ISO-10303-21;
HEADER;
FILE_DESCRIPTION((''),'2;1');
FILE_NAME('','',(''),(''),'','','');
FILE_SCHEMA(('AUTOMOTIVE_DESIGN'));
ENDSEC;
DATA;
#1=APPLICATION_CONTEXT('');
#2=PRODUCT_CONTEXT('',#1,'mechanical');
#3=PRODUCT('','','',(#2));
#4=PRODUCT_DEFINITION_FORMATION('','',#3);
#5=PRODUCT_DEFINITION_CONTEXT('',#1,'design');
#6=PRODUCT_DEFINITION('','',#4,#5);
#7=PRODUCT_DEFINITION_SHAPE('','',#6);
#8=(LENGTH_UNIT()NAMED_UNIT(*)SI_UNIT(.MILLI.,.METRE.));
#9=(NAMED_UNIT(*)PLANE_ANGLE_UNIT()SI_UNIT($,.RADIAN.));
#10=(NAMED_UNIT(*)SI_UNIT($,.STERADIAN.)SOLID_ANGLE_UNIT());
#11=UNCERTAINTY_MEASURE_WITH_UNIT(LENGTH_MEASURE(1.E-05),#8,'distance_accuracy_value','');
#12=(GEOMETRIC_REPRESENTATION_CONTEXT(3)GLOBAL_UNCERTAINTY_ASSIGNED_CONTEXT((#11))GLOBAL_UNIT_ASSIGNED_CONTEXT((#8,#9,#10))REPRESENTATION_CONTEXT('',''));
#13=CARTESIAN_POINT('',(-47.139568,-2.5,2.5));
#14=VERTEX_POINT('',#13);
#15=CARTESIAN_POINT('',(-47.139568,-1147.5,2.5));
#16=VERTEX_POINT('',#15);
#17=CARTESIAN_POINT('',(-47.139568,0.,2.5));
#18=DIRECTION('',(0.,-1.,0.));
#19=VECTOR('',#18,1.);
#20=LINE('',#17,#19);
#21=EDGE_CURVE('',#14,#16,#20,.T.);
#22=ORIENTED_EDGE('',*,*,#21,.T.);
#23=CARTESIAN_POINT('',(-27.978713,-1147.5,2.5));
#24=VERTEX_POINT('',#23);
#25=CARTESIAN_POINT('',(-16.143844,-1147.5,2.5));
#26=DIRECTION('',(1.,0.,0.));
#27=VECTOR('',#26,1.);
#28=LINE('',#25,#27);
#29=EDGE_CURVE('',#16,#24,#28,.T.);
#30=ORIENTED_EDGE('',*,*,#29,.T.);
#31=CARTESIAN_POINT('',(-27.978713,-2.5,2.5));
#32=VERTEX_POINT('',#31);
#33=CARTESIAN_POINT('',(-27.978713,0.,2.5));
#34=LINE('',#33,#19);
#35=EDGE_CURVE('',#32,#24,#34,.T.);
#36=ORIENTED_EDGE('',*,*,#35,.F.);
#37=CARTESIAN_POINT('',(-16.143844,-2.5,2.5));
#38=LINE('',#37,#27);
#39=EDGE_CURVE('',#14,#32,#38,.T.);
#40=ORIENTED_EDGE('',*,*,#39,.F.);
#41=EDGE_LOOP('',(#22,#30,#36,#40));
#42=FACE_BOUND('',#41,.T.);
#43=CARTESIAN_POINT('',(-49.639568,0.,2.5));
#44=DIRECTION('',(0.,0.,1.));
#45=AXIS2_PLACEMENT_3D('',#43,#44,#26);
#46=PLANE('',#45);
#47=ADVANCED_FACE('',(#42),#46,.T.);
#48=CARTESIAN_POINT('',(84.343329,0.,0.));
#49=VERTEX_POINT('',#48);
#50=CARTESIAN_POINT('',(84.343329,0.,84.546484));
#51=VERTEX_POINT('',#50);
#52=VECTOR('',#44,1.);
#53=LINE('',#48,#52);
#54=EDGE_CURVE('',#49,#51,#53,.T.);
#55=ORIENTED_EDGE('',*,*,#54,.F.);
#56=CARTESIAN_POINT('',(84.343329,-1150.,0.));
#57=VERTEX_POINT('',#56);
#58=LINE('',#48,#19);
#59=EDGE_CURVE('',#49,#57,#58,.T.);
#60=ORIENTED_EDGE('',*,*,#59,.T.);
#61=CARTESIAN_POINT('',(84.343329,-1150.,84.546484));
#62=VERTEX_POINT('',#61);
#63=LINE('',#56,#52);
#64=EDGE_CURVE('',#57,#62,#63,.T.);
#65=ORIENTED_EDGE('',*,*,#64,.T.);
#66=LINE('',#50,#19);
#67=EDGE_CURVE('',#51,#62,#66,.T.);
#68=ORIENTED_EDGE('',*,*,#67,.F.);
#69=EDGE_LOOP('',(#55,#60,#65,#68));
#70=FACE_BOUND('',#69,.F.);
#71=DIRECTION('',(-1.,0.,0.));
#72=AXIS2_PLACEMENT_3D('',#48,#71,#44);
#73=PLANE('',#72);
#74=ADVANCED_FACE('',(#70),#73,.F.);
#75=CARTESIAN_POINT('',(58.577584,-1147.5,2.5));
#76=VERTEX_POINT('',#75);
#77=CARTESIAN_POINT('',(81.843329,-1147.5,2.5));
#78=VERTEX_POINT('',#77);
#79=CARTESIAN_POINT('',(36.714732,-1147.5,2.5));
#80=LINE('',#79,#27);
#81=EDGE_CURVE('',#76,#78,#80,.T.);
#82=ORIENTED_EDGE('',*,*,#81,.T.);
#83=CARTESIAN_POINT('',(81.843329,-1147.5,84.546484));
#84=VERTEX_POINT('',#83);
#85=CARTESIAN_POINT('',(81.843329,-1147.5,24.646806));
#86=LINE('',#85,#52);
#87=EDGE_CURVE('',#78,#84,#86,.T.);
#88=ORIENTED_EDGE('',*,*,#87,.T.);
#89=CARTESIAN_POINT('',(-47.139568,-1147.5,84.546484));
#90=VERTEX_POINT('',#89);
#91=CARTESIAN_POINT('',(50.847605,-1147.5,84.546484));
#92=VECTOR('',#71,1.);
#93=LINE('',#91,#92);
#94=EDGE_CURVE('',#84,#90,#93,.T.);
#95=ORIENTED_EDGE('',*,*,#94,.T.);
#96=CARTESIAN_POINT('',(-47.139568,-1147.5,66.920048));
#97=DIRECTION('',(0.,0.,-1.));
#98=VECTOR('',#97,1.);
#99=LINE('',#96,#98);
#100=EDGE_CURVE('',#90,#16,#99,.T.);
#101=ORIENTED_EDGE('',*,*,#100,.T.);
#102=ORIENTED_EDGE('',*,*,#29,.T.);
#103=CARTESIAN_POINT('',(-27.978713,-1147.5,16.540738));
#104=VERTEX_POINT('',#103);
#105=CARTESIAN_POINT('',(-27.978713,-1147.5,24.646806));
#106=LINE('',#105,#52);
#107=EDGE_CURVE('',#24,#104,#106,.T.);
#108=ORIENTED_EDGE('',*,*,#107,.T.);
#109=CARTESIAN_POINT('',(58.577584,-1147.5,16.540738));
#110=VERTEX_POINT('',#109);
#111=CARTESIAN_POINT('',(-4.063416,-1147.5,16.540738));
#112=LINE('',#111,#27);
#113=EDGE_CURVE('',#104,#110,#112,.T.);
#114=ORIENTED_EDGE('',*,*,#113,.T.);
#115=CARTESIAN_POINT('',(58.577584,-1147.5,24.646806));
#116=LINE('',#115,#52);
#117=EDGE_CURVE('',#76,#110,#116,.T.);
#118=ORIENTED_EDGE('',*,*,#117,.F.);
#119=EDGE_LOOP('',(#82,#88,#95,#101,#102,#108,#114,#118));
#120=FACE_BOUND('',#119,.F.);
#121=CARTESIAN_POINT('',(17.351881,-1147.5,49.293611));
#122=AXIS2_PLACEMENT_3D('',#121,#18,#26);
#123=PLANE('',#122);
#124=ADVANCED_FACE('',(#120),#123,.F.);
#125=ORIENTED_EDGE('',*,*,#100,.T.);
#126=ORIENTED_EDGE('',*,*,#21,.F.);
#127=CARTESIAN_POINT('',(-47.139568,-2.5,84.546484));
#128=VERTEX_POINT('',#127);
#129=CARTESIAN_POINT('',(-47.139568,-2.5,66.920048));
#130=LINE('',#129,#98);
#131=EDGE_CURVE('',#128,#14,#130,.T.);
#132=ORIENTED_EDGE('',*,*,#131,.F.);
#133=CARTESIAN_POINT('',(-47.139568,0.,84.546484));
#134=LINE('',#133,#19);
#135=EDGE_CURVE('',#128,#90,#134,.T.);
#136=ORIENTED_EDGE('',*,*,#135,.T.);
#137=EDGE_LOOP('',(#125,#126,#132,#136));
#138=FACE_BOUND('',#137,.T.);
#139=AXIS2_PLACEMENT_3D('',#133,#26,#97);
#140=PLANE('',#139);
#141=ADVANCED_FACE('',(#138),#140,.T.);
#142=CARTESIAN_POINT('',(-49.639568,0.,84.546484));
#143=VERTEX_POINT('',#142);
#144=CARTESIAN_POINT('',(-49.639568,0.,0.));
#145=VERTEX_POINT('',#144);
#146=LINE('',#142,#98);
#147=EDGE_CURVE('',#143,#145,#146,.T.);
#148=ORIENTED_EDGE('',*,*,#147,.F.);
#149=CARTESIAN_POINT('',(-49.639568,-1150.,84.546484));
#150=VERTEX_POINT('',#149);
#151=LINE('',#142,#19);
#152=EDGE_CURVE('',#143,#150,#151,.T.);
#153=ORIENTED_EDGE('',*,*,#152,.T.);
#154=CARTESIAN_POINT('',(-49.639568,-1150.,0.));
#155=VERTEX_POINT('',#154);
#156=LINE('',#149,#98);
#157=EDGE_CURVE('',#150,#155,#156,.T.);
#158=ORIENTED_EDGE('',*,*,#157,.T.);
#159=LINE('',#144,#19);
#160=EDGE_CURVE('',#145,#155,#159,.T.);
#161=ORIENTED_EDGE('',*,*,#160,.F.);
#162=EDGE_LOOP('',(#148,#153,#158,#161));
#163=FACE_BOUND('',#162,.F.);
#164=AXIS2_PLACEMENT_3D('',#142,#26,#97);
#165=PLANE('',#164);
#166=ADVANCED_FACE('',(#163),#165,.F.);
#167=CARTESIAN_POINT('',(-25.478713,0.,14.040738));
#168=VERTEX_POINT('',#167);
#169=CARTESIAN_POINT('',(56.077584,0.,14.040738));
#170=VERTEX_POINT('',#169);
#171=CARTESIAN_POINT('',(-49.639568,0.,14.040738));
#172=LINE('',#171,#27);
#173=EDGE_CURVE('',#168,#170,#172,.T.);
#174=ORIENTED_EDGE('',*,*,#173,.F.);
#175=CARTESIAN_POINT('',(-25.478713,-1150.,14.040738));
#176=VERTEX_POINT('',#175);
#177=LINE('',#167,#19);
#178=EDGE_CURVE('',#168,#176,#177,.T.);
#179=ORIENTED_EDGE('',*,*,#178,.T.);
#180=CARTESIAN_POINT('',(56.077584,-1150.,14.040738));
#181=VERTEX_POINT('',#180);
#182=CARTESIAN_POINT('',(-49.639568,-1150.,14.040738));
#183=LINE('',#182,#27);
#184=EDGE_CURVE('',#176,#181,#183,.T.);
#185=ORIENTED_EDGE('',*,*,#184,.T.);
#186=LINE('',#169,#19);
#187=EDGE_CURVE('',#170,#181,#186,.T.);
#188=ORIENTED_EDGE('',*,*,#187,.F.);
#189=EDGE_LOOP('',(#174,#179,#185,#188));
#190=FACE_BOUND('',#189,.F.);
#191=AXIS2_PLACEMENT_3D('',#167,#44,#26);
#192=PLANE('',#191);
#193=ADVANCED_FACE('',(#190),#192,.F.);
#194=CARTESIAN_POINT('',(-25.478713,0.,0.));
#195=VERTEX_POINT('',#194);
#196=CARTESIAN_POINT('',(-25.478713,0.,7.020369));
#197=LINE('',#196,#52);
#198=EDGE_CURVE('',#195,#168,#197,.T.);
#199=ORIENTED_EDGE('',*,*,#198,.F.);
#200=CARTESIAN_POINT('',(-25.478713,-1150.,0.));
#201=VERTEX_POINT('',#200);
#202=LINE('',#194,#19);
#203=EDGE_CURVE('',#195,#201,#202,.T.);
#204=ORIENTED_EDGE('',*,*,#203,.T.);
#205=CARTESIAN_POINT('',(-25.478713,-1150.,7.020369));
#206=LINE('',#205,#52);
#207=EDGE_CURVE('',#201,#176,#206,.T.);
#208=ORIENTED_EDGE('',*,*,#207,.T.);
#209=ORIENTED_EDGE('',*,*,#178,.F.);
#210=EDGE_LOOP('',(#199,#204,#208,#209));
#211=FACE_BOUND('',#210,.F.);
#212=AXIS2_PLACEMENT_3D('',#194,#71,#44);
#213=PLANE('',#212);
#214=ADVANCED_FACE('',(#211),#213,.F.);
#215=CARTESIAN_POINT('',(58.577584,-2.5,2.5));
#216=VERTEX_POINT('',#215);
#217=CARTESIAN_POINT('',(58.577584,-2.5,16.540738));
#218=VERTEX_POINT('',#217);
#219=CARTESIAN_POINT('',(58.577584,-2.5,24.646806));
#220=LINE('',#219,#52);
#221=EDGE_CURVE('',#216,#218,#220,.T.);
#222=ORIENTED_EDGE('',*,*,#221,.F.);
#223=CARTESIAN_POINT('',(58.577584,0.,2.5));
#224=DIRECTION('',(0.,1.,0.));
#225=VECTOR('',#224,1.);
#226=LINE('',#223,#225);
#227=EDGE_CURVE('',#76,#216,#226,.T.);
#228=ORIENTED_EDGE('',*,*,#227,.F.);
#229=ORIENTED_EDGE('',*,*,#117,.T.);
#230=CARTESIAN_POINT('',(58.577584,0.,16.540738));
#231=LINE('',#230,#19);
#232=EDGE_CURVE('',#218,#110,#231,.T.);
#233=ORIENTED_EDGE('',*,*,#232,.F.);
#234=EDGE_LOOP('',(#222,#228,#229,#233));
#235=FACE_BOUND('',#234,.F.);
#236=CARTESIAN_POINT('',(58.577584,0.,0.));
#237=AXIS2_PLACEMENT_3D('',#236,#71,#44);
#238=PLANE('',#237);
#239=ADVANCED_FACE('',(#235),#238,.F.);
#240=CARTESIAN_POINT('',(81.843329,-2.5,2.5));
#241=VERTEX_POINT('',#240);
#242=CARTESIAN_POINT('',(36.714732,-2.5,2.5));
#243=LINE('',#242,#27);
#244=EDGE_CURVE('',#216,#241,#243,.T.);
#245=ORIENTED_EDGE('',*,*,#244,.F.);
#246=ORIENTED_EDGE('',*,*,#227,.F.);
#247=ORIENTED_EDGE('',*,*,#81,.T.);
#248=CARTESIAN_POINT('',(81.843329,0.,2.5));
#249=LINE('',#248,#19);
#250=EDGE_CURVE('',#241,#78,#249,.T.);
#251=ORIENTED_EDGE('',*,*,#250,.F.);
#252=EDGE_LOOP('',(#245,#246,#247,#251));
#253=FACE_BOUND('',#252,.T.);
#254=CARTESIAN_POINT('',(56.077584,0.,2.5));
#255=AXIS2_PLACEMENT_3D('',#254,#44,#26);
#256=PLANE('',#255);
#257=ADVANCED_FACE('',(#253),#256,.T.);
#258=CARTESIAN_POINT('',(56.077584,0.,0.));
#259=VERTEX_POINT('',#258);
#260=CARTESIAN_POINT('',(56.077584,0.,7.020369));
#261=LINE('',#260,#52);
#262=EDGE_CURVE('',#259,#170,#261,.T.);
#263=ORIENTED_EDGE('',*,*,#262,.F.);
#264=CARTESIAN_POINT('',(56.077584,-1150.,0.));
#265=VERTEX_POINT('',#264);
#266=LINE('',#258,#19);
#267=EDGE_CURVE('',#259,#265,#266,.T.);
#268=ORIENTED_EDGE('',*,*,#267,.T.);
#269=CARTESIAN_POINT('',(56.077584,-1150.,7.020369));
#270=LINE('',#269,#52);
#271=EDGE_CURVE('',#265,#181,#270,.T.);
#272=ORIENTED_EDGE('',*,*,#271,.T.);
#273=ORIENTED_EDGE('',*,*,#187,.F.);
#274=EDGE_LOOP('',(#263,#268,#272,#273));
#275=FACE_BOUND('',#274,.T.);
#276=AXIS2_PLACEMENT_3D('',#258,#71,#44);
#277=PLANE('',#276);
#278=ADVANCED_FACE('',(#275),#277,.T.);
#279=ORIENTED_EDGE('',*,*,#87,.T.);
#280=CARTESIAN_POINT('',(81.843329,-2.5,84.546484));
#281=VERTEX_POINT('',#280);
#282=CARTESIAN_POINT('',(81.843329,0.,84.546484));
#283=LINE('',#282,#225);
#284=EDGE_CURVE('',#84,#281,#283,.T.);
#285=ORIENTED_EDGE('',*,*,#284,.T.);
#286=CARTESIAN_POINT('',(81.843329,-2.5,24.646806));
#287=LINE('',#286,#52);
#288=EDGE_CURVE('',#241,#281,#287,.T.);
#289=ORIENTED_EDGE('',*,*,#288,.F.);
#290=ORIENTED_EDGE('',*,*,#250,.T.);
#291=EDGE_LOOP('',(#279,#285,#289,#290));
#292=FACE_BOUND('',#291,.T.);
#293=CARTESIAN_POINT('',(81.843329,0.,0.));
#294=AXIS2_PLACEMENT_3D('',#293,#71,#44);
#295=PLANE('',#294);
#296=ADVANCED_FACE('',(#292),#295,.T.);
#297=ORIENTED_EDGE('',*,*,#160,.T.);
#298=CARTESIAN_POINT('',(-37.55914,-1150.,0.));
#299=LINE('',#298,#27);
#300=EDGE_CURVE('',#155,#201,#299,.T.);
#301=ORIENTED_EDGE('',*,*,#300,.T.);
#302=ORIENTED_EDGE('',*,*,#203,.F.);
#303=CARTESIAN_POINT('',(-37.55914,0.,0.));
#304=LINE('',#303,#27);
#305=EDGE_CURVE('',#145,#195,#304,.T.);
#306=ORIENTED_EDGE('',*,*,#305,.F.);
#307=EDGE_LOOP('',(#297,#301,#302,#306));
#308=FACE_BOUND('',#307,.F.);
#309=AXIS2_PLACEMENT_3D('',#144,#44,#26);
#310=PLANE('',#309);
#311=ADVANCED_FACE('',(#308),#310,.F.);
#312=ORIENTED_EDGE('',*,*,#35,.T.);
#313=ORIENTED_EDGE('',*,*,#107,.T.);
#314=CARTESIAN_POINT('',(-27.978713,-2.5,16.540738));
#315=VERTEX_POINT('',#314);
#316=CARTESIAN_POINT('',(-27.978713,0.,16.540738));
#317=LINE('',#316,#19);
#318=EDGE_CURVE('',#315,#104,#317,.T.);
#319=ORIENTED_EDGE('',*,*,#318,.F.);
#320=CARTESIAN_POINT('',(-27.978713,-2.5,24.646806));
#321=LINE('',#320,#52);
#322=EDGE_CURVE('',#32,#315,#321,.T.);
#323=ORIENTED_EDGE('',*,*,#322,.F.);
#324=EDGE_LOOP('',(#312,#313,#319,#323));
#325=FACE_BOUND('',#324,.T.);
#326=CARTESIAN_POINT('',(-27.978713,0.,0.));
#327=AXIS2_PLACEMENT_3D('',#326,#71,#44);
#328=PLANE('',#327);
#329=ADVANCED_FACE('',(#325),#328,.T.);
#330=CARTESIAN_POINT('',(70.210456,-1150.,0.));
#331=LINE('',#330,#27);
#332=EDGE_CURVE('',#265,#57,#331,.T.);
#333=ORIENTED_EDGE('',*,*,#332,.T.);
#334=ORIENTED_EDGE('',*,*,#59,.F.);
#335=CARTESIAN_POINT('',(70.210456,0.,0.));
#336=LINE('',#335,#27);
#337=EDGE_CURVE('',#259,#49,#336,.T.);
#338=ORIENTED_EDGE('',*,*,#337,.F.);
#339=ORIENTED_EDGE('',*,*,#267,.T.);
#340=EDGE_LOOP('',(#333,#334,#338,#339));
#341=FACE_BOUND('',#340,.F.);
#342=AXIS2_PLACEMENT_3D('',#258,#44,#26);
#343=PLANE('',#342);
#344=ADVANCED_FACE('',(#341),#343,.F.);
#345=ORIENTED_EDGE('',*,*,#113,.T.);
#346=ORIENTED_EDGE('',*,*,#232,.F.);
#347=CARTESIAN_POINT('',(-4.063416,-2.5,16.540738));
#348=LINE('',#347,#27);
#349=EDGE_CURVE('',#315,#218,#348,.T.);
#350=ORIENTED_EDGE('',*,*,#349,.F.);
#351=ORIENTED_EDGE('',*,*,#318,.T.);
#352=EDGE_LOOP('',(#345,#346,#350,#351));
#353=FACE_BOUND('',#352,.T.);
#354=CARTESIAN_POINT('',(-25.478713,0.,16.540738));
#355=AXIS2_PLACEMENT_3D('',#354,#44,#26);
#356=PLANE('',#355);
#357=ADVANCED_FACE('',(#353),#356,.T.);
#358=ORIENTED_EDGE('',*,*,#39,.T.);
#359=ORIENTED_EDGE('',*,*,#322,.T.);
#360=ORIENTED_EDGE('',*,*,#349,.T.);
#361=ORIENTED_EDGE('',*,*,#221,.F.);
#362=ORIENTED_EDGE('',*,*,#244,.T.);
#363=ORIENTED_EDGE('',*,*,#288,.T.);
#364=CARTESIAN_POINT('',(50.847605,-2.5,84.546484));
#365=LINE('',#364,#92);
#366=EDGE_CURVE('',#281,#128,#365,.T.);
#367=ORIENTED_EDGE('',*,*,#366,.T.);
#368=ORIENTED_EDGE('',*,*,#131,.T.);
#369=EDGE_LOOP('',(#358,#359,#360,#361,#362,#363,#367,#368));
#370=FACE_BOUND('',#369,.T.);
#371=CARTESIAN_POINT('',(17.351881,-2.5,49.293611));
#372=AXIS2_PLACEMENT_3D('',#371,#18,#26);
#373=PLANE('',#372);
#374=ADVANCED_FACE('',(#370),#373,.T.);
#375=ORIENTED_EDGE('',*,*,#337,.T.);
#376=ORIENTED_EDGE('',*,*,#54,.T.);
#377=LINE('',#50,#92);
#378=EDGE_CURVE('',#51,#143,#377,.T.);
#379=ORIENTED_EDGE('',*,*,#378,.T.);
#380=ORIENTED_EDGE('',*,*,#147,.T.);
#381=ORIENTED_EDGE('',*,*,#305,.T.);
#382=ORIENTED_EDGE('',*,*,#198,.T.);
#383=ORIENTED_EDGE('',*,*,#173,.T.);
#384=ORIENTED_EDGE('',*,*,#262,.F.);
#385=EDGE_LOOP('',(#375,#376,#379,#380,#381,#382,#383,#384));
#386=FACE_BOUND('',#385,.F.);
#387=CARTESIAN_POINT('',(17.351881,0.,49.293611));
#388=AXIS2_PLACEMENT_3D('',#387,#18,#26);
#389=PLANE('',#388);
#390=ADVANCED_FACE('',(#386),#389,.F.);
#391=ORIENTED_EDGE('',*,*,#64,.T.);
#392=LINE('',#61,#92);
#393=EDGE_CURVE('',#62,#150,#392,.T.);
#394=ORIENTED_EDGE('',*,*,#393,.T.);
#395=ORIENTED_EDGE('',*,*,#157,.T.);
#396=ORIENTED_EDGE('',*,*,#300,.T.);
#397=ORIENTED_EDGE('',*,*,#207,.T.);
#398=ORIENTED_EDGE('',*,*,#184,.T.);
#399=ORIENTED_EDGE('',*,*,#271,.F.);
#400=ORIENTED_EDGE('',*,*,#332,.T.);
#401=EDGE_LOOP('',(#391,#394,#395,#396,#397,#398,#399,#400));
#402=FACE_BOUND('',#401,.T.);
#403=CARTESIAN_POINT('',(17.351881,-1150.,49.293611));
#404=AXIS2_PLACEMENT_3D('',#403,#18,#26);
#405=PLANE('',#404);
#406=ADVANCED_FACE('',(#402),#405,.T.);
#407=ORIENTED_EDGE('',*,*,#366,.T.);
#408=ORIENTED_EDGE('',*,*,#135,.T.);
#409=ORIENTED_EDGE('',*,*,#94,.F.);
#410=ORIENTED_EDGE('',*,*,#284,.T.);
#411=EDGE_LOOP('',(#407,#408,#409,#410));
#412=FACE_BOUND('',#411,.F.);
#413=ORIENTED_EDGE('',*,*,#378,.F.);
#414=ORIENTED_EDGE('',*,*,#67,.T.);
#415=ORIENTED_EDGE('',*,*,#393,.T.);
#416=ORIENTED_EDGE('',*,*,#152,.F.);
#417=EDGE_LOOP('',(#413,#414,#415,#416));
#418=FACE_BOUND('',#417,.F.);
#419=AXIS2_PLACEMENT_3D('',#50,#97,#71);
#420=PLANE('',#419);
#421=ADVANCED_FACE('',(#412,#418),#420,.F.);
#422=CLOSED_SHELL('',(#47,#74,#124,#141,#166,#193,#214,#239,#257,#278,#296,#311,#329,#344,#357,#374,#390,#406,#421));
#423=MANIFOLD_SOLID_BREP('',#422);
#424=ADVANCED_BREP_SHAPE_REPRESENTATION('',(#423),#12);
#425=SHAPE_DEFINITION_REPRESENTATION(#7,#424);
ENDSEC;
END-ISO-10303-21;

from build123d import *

# Parameters (mm, degrees)
F0_W     = 24.1608545184
F0_H     = 14.0407383442
F0_W_2   = 28.265745379
F1_DEPTH = 1150
F2_T     = -2.5


with BuildPart() as f1:
    # F0 (on Front) → F1 (new body)
    with BuildSketch(Plane.XZ):
        Polygon((-49.6395677328, 42.5944775343), (-49.6395677328, 14.0407383442), (-25.4787132144, 14.0407383442), (27.8118383139, 14.0407383442), (56.077583693, 14.0407383442), (84.343329072, 14.0407383442), (84.343329072, 84.5464840531), (-49.6395677328, 84.5464840531), align=None)
        with Locations((-37.5591404736, 7.0203691721)):
            Rectangle(F0_W, F0_H)
        with Locations((70.2104563825, 7.0203691721)):
            Rectangle(F0_W_2, F0_H)
    extrude(amount=F1_DEPTH)

    # F2
    f2_openings = [f1.faces().sort_by_distance(p)[0] for p in [
        (17.351881, -575, 84.546484),
    ]]
    offset(amount=F2_T, openings=f2_openings, kind=Kind.INTERSECTION)


solid = f1.part
